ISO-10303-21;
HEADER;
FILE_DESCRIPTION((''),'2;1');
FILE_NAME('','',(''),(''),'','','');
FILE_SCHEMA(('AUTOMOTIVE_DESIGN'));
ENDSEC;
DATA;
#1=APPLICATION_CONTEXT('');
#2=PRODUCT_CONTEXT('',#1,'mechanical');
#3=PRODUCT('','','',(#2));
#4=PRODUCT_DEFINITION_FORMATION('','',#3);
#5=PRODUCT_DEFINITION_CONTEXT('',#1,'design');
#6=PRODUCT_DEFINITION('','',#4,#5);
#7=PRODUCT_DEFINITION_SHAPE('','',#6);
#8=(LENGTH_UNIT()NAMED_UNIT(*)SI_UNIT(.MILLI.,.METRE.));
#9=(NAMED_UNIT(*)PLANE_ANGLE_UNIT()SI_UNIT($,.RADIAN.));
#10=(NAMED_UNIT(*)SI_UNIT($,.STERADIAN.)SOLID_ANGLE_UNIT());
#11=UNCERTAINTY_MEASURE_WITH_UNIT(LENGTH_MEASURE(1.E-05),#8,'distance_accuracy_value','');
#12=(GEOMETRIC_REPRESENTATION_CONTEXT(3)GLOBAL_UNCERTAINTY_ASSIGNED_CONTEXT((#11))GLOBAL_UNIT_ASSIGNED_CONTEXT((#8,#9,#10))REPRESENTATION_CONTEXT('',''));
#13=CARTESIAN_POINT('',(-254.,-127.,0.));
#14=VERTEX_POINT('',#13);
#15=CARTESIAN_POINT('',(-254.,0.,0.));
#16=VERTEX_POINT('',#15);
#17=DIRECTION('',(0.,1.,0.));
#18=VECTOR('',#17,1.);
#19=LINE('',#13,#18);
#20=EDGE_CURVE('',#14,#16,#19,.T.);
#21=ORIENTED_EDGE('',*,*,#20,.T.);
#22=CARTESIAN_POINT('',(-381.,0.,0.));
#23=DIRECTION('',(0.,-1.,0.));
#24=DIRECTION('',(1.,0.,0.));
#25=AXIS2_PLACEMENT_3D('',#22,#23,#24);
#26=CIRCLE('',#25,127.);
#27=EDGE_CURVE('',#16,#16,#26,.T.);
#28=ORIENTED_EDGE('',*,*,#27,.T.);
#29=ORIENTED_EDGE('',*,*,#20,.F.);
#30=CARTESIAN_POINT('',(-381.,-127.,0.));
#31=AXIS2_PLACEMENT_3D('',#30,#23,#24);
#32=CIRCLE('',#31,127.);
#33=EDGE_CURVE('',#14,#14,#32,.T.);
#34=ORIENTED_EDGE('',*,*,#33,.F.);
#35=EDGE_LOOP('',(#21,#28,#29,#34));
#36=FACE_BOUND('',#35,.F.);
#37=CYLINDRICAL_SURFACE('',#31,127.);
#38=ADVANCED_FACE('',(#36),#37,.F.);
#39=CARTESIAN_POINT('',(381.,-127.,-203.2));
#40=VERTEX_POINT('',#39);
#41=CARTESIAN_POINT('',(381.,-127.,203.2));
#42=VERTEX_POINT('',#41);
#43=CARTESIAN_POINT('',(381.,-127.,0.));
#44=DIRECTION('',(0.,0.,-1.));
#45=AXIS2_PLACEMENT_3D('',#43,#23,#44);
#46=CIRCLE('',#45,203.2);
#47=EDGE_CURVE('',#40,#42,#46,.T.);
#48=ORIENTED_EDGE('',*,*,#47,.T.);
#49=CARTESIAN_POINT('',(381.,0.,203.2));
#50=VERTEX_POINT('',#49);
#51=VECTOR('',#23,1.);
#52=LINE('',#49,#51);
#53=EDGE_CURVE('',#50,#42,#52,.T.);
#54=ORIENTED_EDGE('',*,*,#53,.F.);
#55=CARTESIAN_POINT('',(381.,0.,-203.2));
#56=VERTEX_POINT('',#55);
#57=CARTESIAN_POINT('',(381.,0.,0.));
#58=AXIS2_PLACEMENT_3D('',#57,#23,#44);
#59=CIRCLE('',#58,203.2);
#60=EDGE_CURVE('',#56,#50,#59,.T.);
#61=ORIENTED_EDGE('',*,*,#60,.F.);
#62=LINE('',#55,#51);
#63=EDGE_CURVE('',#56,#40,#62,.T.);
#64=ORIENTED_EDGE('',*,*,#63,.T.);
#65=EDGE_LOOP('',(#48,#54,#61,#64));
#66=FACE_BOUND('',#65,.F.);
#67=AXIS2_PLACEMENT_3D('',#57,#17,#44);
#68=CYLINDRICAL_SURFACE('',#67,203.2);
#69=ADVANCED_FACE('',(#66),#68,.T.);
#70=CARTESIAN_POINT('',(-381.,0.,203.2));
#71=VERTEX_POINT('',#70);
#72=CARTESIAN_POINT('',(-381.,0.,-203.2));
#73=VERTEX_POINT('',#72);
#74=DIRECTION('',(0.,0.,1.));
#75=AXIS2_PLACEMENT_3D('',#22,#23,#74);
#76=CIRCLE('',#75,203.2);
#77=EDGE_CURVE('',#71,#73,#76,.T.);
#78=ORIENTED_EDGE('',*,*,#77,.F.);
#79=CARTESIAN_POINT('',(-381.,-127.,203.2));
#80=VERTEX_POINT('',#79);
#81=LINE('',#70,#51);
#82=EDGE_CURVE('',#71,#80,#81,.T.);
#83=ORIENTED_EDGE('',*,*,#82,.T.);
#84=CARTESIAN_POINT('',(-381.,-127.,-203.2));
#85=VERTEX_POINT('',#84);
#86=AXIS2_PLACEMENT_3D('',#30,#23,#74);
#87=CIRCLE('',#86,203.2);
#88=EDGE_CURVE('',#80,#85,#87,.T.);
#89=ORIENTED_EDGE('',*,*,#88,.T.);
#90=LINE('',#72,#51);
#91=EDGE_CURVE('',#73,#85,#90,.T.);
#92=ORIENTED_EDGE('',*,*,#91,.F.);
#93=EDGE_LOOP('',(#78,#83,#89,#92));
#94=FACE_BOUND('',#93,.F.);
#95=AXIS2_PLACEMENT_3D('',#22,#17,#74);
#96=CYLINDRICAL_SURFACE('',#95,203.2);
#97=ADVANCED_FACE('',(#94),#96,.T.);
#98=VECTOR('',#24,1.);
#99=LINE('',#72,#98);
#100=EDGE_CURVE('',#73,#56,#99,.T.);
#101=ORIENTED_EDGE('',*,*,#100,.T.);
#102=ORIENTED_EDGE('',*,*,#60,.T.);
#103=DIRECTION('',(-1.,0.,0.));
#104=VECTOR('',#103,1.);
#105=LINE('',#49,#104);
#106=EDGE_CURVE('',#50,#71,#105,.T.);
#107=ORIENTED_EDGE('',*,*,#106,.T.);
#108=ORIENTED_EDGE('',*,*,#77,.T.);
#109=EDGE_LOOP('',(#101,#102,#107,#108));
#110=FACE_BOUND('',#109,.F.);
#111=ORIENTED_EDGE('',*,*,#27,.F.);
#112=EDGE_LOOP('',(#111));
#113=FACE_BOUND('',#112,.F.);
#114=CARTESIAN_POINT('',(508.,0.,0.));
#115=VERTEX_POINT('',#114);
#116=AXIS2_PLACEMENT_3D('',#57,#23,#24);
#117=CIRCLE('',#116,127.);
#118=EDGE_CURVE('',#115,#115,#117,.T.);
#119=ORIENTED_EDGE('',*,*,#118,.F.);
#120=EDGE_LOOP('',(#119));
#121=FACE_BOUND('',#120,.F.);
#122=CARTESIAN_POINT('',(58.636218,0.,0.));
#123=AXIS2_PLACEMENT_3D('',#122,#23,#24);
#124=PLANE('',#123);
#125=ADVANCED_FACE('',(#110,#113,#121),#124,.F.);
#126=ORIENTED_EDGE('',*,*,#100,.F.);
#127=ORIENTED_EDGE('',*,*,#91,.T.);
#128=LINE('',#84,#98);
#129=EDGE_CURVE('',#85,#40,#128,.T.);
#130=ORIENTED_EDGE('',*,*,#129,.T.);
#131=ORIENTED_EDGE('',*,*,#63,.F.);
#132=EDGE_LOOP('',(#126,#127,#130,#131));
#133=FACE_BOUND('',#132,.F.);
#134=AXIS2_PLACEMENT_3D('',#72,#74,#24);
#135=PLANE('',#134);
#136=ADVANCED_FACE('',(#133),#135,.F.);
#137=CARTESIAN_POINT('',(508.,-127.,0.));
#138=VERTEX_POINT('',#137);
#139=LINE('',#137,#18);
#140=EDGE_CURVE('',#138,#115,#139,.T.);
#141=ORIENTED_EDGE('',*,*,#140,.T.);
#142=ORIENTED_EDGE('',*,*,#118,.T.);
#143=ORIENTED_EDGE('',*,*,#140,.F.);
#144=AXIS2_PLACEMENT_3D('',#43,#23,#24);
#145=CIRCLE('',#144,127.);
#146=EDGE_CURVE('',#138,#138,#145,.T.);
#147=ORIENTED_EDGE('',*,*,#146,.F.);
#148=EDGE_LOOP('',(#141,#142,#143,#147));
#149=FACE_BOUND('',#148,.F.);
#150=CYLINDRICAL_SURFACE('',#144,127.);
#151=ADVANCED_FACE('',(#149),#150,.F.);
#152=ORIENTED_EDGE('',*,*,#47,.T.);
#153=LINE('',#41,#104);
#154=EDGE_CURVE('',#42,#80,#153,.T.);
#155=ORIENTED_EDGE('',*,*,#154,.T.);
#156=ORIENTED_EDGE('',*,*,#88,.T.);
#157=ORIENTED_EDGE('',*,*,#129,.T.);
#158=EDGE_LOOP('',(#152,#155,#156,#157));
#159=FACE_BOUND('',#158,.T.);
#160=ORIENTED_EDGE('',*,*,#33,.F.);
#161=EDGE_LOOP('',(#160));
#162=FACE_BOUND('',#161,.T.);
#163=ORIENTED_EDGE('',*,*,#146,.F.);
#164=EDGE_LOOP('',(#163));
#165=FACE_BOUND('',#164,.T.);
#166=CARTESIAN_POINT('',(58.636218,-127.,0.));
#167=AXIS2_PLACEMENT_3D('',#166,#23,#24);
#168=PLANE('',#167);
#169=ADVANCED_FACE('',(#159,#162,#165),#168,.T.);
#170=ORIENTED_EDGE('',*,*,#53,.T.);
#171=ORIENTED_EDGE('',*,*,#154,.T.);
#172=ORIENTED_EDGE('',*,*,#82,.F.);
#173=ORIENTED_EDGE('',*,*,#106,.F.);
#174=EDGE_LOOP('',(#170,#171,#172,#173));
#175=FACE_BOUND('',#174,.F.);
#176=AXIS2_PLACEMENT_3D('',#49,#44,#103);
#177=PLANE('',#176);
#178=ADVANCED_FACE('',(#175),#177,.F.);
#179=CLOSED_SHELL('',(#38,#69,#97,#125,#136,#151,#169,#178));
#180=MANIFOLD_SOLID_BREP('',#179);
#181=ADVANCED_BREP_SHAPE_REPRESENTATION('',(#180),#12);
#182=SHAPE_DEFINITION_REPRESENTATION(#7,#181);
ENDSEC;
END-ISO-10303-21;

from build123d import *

# Parameters (mm, degrees)
F1_DEPTH = 127
F2_R     = 127
F3_DEPTH = 322.58


with BuildPart() as f1:
    # F0 (on Front) → F1 (new body)
    with BuildSketch(Plane.XZ):
        with BuildLine():
            Line((381, 203.2), (-381, 203.2))
            Line((-381, 203.2), (-381, -203.2))
            Line((-381, -203.2), (381, -203.2))
            ThreePointArc((381, -203.2), (584.2, 0), (381, 203.2))
        make_face()
        with BuildLine():
            Line((-381, -203.2), (-381, 203.2))
            ThreePointArc((-381, 203.2), (-584.2, 0), (-381, -203.2))
        make_face()
    extrude(amount=F1_DEPTH)

    # F2 (on face) → F3 (cut)
    with BuildSketch(Plane.XZ.offset(127)):
        with Locations((381, 0)):
            Circle(F2_R)
        with Locations((-381, 0)):
            Circle(F2_R)
    extrude(amount=-F3_DEPTH, mode=Mode.SUBTRACT)


solid = f1.part
